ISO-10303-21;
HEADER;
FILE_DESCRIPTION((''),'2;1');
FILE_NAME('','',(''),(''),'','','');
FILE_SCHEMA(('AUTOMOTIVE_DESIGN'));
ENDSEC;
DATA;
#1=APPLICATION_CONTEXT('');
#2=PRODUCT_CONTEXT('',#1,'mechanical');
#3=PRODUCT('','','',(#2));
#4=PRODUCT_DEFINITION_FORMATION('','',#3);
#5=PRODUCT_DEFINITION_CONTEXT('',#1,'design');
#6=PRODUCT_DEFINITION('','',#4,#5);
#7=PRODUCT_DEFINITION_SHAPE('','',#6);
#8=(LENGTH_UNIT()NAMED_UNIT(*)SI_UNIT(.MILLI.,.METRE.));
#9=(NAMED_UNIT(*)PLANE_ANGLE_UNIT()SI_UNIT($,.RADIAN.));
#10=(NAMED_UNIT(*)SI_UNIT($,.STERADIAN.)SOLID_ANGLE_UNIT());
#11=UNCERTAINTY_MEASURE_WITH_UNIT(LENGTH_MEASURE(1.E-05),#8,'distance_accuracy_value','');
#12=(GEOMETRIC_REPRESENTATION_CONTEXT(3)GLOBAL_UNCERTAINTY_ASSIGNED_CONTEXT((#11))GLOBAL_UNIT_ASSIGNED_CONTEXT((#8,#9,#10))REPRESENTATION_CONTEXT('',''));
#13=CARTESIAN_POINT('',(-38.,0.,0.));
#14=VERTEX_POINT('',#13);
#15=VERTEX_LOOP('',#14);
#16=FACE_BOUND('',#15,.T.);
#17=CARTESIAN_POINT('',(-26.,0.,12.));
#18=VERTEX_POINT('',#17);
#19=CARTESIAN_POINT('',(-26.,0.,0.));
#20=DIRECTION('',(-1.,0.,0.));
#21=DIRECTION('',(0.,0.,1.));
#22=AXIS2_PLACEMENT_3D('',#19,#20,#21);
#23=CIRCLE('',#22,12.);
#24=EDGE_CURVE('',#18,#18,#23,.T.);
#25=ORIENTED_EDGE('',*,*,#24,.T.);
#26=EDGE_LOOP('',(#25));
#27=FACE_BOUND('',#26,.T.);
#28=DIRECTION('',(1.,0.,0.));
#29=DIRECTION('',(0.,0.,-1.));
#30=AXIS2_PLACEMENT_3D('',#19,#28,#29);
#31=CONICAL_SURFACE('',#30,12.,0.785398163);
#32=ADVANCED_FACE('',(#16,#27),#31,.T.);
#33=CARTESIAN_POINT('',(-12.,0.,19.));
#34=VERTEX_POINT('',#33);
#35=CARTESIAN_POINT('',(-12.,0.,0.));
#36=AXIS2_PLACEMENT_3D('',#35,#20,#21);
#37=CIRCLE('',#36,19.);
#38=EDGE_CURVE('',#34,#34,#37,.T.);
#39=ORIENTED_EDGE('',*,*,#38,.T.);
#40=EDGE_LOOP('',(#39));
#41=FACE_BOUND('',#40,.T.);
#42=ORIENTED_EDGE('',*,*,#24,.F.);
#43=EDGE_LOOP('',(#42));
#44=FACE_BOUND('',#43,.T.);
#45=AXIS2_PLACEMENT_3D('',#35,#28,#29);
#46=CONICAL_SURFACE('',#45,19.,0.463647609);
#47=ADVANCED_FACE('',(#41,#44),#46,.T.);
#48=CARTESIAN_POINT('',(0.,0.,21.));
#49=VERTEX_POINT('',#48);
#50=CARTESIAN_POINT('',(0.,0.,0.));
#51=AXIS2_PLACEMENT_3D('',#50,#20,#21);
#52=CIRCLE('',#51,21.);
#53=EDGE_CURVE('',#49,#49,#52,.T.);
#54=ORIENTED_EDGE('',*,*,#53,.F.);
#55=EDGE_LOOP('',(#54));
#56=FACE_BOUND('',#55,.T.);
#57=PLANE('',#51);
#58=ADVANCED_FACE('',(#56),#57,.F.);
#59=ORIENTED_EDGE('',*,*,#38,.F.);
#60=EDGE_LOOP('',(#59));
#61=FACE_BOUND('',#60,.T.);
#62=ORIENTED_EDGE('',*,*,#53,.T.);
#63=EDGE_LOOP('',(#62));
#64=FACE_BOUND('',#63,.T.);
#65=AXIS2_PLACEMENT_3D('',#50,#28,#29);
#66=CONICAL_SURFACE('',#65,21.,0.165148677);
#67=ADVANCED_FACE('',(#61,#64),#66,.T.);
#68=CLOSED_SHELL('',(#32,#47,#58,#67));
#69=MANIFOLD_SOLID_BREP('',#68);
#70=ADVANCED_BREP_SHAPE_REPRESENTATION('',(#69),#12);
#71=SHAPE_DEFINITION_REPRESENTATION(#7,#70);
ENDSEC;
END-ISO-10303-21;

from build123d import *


with BuildPart() as part:
    # Sketch1 → Revolve1 (revolve)
    with BuildSketch(Plane.XY, mode=Mode.PRIVATE) as revolve1_sk:
        Polygon((0, 0), (0, 21), (-12, 19), (-26, 12), (-38, 0), align=None)
    revolve(revolve1_sk.sketch.rotate(Axis((-10, 0, 0), (1, 0, 0)), 90), axis=Axis((-10, 0, 0), (1, 0, 0)))


solid = part.part
